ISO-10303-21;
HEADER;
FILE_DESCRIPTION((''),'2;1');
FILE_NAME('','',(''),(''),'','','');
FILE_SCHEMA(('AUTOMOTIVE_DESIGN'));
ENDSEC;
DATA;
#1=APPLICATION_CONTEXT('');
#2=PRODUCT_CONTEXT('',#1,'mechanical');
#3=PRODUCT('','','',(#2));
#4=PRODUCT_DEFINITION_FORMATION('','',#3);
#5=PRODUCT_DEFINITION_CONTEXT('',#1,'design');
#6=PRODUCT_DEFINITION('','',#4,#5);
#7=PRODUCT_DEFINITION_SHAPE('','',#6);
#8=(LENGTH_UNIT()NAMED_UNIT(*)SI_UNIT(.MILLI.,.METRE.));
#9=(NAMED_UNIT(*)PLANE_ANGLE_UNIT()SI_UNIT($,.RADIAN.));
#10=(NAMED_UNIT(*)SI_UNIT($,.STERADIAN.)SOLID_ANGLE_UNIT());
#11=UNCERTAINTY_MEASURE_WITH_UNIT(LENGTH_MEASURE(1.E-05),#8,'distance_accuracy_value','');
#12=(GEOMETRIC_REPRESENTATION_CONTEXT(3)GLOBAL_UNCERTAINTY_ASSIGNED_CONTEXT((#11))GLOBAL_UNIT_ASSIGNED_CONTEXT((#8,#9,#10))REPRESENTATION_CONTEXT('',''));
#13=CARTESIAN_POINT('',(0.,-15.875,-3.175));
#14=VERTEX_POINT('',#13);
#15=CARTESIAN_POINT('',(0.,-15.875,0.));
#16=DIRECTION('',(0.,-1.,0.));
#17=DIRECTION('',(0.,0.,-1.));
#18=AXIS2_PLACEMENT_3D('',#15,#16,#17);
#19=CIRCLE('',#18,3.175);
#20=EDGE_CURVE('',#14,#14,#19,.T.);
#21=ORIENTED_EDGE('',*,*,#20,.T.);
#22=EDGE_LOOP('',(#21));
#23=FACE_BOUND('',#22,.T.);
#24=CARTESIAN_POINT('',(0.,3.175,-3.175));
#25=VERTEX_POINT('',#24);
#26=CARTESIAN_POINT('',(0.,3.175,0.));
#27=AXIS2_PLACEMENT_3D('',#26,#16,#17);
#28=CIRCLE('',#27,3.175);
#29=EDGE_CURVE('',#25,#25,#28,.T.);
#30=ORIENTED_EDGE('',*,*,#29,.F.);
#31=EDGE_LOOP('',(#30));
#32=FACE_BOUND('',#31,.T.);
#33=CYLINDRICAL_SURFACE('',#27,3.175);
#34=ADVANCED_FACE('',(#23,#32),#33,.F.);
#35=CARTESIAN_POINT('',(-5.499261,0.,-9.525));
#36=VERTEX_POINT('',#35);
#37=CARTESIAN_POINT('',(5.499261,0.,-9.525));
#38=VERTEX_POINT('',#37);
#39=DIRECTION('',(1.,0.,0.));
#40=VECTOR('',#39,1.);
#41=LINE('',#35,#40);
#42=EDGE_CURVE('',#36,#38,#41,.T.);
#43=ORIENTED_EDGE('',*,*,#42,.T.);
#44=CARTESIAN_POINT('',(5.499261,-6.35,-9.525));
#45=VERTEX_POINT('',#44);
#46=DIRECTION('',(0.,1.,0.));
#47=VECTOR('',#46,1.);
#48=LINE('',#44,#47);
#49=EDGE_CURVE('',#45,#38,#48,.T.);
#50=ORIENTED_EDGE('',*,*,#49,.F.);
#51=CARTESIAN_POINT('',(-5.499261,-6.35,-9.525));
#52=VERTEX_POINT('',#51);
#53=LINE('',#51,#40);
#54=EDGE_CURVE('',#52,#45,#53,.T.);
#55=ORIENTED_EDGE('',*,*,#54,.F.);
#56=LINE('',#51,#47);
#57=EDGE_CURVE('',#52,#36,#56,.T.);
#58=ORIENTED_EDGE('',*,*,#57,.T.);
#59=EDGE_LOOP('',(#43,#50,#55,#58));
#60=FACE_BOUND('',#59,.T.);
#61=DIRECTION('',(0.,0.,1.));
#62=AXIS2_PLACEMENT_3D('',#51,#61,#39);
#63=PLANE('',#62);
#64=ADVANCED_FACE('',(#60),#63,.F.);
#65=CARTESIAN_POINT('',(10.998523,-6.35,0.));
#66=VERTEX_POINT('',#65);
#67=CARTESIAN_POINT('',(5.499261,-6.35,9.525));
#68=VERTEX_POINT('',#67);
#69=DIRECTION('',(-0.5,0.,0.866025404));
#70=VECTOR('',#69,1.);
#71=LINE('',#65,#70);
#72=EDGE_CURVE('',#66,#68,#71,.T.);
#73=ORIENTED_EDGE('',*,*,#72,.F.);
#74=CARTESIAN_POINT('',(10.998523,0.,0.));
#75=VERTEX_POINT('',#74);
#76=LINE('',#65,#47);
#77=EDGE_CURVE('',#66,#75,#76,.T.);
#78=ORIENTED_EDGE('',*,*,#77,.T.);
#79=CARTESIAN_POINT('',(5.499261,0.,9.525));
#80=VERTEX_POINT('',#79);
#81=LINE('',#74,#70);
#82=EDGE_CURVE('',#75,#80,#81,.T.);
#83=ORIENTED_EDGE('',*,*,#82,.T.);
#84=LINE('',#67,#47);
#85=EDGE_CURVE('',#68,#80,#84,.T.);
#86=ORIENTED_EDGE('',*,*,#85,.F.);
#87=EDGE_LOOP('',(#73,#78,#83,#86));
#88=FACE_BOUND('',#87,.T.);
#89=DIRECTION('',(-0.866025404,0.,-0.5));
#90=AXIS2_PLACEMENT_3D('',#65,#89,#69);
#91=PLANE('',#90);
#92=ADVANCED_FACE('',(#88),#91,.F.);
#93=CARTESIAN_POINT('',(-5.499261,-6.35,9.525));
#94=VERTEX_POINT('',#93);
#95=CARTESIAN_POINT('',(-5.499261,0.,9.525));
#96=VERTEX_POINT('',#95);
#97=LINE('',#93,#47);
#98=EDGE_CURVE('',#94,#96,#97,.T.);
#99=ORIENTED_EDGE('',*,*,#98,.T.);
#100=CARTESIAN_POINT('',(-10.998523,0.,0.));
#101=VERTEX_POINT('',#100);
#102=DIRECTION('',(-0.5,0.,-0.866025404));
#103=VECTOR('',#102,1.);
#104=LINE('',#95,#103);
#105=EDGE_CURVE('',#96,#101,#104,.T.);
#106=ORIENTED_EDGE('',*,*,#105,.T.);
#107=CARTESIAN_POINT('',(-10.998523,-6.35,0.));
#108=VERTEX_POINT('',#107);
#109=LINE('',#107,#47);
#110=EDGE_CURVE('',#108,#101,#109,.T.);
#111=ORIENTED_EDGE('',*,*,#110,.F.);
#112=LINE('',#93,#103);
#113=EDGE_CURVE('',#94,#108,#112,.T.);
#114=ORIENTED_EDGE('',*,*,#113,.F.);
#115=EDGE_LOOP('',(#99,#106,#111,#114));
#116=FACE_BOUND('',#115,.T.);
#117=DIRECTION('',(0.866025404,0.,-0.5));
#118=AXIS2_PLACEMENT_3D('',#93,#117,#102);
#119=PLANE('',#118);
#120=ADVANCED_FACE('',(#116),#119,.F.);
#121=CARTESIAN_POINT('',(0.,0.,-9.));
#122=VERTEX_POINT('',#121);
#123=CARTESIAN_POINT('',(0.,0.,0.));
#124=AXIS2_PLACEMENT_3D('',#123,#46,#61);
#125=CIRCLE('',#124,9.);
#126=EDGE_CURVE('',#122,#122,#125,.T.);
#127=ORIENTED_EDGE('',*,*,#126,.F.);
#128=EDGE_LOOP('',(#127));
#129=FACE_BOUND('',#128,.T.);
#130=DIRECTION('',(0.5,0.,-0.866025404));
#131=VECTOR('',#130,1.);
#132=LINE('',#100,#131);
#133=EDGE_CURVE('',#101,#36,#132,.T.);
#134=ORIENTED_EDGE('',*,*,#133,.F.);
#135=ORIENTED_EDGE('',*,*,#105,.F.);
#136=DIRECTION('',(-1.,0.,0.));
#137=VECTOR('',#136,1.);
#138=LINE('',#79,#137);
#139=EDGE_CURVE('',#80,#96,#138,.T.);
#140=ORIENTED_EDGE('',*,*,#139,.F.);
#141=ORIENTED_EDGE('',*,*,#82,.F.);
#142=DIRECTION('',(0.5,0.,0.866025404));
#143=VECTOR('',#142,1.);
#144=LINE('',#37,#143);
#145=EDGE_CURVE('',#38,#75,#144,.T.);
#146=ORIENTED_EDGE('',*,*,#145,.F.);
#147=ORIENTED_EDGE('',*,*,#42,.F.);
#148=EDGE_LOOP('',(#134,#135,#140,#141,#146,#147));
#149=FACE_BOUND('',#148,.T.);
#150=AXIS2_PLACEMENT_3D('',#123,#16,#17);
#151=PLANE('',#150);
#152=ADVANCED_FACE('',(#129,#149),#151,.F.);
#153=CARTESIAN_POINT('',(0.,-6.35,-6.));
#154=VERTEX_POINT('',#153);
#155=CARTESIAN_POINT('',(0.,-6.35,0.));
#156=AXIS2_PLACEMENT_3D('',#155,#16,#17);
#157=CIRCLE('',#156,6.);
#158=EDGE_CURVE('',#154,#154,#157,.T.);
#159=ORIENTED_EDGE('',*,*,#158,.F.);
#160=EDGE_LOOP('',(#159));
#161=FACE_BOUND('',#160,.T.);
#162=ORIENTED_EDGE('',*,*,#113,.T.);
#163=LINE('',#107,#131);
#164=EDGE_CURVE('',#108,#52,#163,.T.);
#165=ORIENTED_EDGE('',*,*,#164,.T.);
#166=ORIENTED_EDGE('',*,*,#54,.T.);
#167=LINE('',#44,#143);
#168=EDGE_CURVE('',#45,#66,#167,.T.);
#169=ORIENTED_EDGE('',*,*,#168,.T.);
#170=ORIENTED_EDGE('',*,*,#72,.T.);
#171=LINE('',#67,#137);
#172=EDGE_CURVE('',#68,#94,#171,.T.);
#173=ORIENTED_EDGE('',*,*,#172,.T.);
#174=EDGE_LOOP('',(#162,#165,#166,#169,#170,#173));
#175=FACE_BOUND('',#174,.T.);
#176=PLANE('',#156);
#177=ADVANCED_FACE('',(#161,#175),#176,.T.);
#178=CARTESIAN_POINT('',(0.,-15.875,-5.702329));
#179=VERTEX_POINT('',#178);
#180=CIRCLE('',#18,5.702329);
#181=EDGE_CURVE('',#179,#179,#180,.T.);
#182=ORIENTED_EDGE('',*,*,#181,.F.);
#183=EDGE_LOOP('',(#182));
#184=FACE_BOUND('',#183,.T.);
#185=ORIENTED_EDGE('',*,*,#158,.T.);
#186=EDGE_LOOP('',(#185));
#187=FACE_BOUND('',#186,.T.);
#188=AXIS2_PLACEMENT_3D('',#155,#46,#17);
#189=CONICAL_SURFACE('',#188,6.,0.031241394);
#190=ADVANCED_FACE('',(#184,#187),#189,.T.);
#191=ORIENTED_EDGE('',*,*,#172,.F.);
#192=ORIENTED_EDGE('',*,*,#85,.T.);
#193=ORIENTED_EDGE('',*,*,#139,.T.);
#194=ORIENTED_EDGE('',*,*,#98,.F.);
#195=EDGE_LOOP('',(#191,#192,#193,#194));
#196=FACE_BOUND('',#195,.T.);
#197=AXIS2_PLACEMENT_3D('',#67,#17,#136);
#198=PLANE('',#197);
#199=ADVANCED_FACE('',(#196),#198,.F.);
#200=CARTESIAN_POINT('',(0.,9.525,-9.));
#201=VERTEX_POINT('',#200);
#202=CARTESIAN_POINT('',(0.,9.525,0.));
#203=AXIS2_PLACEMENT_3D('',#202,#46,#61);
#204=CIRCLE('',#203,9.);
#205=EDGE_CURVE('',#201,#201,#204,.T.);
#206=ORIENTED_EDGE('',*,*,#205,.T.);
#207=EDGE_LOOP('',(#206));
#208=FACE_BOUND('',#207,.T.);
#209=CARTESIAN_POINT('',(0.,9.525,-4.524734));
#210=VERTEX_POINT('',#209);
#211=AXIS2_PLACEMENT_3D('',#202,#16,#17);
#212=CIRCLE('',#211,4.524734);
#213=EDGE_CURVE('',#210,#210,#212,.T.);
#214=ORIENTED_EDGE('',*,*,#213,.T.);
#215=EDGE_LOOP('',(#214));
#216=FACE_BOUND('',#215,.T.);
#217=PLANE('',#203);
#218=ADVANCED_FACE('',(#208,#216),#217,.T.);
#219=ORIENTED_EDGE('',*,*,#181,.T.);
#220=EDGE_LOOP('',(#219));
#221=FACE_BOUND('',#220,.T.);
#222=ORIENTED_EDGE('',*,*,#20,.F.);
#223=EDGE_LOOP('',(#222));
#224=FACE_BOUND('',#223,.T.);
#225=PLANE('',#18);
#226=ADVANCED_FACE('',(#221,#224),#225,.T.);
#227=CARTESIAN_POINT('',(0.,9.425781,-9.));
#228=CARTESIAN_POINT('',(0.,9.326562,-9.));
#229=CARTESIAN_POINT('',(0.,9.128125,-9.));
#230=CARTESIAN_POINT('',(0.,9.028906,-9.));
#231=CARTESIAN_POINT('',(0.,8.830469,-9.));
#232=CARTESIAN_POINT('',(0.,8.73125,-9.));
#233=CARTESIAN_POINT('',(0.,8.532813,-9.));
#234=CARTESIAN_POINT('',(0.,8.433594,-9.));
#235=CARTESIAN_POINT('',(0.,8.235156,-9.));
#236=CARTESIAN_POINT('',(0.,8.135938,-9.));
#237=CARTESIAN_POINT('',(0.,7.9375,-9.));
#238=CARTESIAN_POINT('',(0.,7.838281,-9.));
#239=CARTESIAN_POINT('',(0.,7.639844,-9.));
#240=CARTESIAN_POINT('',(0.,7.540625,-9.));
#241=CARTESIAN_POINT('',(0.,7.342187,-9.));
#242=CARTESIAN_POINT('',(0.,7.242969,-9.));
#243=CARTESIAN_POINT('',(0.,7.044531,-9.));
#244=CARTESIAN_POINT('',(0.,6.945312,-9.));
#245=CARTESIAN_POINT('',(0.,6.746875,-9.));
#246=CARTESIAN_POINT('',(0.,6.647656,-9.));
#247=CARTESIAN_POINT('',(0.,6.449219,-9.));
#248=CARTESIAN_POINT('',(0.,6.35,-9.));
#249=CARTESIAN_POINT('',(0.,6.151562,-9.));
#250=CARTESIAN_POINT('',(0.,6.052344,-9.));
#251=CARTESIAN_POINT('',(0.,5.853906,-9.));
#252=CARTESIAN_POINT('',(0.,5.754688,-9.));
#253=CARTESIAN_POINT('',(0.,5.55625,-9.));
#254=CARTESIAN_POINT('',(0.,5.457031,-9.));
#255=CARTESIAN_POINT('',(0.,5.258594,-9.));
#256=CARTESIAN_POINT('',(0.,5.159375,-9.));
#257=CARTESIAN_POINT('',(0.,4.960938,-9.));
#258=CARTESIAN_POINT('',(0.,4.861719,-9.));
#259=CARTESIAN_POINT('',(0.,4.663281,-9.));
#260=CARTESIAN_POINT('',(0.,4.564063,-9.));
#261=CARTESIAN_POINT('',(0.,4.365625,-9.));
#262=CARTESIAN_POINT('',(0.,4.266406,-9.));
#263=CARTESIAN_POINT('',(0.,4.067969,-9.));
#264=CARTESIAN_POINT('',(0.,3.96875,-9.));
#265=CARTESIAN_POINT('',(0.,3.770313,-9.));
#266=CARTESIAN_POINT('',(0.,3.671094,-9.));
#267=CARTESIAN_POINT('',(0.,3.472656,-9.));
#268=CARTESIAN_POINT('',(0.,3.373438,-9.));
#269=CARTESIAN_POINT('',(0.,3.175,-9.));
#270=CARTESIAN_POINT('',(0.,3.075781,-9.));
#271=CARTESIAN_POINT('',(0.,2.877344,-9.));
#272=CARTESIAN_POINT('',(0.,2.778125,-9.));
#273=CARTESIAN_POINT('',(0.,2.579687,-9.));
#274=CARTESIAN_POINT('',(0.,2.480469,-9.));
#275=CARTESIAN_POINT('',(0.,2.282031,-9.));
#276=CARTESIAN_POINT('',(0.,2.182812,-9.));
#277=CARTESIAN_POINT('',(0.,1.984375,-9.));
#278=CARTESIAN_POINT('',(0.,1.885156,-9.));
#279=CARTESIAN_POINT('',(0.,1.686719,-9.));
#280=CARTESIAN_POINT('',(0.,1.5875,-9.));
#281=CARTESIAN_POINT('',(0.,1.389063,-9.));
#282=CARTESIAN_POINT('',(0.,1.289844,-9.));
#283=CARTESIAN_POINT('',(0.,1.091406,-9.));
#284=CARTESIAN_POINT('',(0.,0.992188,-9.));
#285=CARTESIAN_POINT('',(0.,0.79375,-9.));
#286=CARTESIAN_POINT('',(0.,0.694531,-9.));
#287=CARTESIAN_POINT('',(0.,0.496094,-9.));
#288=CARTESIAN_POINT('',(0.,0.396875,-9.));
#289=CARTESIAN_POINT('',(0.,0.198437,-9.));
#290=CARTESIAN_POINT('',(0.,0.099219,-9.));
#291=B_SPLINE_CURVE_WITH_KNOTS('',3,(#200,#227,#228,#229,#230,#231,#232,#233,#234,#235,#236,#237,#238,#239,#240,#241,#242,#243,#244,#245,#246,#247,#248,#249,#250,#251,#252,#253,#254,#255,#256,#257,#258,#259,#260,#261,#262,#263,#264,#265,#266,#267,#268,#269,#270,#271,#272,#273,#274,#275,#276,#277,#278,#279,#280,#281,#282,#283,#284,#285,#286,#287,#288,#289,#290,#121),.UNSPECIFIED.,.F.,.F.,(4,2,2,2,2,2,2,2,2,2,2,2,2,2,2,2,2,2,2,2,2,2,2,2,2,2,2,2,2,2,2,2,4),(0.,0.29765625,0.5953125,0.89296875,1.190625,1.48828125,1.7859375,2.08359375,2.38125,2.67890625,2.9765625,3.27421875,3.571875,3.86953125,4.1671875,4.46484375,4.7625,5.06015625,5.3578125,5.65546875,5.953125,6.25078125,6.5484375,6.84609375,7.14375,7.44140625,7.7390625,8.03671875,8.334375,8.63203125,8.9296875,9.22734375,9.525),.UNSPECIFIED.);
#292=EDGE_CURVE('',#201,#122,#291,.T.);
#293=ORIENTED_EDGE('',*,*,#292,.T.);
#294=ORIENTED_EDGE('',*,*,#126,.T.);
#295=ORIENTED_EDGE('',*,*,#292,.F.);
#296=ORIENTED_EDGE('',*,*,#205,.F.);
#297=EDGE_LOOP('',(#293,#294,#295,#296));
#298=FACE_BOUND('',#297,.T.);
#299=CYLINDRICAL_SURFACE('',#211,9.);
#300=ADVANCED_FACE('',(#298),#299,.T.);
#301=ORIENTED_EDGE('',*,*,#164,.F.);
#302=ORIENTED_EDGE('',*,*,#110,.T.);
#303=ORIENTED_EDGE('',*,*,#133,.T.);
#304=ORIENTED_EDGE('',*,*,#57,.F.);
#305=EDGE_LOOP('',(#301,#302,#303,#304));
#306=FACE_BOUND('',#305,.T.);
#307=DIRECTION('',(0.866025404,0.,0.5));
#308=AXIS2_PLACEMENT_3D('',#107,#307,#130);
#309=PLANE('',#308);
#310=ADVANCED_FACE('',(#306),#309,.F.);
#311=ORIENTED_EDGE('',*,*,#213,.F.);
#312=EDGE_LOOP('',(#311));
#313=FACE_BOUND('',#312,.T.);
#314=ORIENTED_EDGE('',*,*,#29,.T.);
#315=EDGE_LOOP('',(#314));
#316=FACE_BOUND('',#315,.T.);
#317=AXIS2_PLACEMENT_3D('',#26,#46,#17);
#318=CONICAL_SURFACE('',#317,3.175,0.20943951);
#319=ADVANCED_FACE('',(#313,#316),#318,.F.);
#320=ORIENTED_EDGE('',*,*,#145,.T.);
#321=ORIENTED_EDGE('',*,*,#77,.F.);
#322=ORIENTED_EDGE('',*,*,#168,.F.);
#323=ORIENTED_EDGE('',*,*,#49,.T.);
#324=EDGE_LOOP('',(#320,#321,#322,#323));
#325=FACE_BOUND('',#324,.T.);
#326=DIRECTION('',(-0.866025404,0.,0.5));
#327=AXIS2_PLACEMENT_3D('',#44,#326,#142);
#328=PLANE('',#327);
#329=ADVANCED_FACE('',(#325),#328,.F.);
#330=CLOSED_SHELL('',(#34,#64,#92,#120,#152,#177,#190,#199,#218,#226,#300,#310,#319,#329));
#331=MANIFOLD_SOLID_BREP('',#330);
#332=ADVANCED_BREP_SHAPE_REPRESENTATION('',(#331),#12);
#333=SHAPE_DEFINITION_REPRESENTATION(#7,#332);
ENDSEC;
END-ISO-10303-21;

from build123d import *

# Parameters (mm, degrees)
SKETCH1_R           = 9
BOSS_EXTRUDE1_DEPTH = 9.525
SKETCH4_R           = 3.175
CUT_EXTRUDE1_DEPTH  = 3.175
SKETCH5_R           = 3.175
CUT_EXTRUDE2_DEPTH  = 15.224011389
CUT_EXTRUDE2_DRAFT  = 12
BOSS_EXTRUDE3_START = 6.35
SKETCH6_R           = 3.175
BOSS_EXTRUDE3_DEPTH = 6.35
SKETCH7_R           = 6
BOSS_EXTRUDE4_DEPTH = 9.525
BOSS_EXTRUDE4_TAPER = 1.79
SKETCH8_R           = 3.175
CUT_EXTRUDE3_DEPTH  = 30.272053652


with BuildPart() as part:
    # Sketch1 → Boss-Extrude1 (new body)
    with BuildSketch(Plane(origin=(0, 0, 0), x_dir=(1, 0, 0), z_dir=(0, 1, 0))):
        with Locations(Location((0, 0, 0), (0, 0, 90))):
            Circle(SKETCH1_R)
    extrude(amount=BOSS_EXTRUDE1_DEPTH)

    # Sketch4 → Cut-Extrude1 (cut)
    with BuildSketch(Plane.XZ):
        with Locations(Location((0, 0, 0), (0, 0, 270))):
            Circle(SKETCH4_R)
    extrude(amount=-CUT_EXTRUDE1_DEPTH, mode=Mode.SUBTRACT)


with BuildPart() as cut_extrude2_tool:
    # Sketch5 → Cut-Extrude2 (with draft: the straight prism first)
    with BuildSketch(Plane(origin=(0, 3.175, 0), x_dir=(-1, 0, 0), z_dir=(0, -1, 0))):
        with Locations(Location((0, 0, 0), (0, 0, 90))):
            Circle(SKETCH5_R)
    extrude(amount=-CUT_EXTRUDE2_DEPTH)
    # Cut-Extrude2: the draft: its side faces are tilted about the plane it starts from
    cut_extrude2_sides = [cut_extrude2_tool.faces().sort_by_distance(p)[0] for p in [
        (0, 10.787005695, 3.175),
    ]]
    draft(cut_extrude2_sides, Plane(origin=(0, 3.175, 0), x_dir=(-1, 0, 0), z_dir=(0, -1, 0)), CUT_EXTRUDE2_DRAFT)


with BuildPart() as part_1:
    add(part.part)

    # Cut-Extrude2: cut by cut_extrude2_tool
    add(cut_extrude2_tool.part, mode=Mode.SUBTRACT)

    # Sketch6 → Boss-Extrude3 (add)
    with BuildSketch(Plane.XZ.offset(BOSS_EXTRUDE3_START)):
        Polygon((-10.998522628, 0), (-5.499261314, -9.525), (5.499261314, -9.525), (10.998522628, 0), (5.499261314, 9.525), (-5.499261314, 9.525), align=None)
        with Locations(Location((0, 0, 0), (0, 0, 270))):
            Circle(SKETCH6_R, mode=Mode.SUBTRACT)
    extrude(amount=-BOSS_EXTRUDE3_DEPTH)

    # Sketch7 → Boss-Extrude4 (add)
    with BuildSketch(Plane.XZ.offset(6.35)):
        Circle(SKETCH7_R)
    extrude(amount=BOSS_EXTRUDE4_DEPTH, taper=BOSS_EXTRUDE4_TAPER)

    # Sketch8 → Cut-Extrude3 (cut, through all)
    with BuildSketch(Plane.XZ.offset(15.875)):
        with Locations(Location((0, 0, 0), (0, 0, 270))):
            Circle(SKETCH8_R)
    extrude(amount=-CUT_EXTRUDE3_DEPTH, mode=Mode.SUBTRACT)


solid = part_1.part
